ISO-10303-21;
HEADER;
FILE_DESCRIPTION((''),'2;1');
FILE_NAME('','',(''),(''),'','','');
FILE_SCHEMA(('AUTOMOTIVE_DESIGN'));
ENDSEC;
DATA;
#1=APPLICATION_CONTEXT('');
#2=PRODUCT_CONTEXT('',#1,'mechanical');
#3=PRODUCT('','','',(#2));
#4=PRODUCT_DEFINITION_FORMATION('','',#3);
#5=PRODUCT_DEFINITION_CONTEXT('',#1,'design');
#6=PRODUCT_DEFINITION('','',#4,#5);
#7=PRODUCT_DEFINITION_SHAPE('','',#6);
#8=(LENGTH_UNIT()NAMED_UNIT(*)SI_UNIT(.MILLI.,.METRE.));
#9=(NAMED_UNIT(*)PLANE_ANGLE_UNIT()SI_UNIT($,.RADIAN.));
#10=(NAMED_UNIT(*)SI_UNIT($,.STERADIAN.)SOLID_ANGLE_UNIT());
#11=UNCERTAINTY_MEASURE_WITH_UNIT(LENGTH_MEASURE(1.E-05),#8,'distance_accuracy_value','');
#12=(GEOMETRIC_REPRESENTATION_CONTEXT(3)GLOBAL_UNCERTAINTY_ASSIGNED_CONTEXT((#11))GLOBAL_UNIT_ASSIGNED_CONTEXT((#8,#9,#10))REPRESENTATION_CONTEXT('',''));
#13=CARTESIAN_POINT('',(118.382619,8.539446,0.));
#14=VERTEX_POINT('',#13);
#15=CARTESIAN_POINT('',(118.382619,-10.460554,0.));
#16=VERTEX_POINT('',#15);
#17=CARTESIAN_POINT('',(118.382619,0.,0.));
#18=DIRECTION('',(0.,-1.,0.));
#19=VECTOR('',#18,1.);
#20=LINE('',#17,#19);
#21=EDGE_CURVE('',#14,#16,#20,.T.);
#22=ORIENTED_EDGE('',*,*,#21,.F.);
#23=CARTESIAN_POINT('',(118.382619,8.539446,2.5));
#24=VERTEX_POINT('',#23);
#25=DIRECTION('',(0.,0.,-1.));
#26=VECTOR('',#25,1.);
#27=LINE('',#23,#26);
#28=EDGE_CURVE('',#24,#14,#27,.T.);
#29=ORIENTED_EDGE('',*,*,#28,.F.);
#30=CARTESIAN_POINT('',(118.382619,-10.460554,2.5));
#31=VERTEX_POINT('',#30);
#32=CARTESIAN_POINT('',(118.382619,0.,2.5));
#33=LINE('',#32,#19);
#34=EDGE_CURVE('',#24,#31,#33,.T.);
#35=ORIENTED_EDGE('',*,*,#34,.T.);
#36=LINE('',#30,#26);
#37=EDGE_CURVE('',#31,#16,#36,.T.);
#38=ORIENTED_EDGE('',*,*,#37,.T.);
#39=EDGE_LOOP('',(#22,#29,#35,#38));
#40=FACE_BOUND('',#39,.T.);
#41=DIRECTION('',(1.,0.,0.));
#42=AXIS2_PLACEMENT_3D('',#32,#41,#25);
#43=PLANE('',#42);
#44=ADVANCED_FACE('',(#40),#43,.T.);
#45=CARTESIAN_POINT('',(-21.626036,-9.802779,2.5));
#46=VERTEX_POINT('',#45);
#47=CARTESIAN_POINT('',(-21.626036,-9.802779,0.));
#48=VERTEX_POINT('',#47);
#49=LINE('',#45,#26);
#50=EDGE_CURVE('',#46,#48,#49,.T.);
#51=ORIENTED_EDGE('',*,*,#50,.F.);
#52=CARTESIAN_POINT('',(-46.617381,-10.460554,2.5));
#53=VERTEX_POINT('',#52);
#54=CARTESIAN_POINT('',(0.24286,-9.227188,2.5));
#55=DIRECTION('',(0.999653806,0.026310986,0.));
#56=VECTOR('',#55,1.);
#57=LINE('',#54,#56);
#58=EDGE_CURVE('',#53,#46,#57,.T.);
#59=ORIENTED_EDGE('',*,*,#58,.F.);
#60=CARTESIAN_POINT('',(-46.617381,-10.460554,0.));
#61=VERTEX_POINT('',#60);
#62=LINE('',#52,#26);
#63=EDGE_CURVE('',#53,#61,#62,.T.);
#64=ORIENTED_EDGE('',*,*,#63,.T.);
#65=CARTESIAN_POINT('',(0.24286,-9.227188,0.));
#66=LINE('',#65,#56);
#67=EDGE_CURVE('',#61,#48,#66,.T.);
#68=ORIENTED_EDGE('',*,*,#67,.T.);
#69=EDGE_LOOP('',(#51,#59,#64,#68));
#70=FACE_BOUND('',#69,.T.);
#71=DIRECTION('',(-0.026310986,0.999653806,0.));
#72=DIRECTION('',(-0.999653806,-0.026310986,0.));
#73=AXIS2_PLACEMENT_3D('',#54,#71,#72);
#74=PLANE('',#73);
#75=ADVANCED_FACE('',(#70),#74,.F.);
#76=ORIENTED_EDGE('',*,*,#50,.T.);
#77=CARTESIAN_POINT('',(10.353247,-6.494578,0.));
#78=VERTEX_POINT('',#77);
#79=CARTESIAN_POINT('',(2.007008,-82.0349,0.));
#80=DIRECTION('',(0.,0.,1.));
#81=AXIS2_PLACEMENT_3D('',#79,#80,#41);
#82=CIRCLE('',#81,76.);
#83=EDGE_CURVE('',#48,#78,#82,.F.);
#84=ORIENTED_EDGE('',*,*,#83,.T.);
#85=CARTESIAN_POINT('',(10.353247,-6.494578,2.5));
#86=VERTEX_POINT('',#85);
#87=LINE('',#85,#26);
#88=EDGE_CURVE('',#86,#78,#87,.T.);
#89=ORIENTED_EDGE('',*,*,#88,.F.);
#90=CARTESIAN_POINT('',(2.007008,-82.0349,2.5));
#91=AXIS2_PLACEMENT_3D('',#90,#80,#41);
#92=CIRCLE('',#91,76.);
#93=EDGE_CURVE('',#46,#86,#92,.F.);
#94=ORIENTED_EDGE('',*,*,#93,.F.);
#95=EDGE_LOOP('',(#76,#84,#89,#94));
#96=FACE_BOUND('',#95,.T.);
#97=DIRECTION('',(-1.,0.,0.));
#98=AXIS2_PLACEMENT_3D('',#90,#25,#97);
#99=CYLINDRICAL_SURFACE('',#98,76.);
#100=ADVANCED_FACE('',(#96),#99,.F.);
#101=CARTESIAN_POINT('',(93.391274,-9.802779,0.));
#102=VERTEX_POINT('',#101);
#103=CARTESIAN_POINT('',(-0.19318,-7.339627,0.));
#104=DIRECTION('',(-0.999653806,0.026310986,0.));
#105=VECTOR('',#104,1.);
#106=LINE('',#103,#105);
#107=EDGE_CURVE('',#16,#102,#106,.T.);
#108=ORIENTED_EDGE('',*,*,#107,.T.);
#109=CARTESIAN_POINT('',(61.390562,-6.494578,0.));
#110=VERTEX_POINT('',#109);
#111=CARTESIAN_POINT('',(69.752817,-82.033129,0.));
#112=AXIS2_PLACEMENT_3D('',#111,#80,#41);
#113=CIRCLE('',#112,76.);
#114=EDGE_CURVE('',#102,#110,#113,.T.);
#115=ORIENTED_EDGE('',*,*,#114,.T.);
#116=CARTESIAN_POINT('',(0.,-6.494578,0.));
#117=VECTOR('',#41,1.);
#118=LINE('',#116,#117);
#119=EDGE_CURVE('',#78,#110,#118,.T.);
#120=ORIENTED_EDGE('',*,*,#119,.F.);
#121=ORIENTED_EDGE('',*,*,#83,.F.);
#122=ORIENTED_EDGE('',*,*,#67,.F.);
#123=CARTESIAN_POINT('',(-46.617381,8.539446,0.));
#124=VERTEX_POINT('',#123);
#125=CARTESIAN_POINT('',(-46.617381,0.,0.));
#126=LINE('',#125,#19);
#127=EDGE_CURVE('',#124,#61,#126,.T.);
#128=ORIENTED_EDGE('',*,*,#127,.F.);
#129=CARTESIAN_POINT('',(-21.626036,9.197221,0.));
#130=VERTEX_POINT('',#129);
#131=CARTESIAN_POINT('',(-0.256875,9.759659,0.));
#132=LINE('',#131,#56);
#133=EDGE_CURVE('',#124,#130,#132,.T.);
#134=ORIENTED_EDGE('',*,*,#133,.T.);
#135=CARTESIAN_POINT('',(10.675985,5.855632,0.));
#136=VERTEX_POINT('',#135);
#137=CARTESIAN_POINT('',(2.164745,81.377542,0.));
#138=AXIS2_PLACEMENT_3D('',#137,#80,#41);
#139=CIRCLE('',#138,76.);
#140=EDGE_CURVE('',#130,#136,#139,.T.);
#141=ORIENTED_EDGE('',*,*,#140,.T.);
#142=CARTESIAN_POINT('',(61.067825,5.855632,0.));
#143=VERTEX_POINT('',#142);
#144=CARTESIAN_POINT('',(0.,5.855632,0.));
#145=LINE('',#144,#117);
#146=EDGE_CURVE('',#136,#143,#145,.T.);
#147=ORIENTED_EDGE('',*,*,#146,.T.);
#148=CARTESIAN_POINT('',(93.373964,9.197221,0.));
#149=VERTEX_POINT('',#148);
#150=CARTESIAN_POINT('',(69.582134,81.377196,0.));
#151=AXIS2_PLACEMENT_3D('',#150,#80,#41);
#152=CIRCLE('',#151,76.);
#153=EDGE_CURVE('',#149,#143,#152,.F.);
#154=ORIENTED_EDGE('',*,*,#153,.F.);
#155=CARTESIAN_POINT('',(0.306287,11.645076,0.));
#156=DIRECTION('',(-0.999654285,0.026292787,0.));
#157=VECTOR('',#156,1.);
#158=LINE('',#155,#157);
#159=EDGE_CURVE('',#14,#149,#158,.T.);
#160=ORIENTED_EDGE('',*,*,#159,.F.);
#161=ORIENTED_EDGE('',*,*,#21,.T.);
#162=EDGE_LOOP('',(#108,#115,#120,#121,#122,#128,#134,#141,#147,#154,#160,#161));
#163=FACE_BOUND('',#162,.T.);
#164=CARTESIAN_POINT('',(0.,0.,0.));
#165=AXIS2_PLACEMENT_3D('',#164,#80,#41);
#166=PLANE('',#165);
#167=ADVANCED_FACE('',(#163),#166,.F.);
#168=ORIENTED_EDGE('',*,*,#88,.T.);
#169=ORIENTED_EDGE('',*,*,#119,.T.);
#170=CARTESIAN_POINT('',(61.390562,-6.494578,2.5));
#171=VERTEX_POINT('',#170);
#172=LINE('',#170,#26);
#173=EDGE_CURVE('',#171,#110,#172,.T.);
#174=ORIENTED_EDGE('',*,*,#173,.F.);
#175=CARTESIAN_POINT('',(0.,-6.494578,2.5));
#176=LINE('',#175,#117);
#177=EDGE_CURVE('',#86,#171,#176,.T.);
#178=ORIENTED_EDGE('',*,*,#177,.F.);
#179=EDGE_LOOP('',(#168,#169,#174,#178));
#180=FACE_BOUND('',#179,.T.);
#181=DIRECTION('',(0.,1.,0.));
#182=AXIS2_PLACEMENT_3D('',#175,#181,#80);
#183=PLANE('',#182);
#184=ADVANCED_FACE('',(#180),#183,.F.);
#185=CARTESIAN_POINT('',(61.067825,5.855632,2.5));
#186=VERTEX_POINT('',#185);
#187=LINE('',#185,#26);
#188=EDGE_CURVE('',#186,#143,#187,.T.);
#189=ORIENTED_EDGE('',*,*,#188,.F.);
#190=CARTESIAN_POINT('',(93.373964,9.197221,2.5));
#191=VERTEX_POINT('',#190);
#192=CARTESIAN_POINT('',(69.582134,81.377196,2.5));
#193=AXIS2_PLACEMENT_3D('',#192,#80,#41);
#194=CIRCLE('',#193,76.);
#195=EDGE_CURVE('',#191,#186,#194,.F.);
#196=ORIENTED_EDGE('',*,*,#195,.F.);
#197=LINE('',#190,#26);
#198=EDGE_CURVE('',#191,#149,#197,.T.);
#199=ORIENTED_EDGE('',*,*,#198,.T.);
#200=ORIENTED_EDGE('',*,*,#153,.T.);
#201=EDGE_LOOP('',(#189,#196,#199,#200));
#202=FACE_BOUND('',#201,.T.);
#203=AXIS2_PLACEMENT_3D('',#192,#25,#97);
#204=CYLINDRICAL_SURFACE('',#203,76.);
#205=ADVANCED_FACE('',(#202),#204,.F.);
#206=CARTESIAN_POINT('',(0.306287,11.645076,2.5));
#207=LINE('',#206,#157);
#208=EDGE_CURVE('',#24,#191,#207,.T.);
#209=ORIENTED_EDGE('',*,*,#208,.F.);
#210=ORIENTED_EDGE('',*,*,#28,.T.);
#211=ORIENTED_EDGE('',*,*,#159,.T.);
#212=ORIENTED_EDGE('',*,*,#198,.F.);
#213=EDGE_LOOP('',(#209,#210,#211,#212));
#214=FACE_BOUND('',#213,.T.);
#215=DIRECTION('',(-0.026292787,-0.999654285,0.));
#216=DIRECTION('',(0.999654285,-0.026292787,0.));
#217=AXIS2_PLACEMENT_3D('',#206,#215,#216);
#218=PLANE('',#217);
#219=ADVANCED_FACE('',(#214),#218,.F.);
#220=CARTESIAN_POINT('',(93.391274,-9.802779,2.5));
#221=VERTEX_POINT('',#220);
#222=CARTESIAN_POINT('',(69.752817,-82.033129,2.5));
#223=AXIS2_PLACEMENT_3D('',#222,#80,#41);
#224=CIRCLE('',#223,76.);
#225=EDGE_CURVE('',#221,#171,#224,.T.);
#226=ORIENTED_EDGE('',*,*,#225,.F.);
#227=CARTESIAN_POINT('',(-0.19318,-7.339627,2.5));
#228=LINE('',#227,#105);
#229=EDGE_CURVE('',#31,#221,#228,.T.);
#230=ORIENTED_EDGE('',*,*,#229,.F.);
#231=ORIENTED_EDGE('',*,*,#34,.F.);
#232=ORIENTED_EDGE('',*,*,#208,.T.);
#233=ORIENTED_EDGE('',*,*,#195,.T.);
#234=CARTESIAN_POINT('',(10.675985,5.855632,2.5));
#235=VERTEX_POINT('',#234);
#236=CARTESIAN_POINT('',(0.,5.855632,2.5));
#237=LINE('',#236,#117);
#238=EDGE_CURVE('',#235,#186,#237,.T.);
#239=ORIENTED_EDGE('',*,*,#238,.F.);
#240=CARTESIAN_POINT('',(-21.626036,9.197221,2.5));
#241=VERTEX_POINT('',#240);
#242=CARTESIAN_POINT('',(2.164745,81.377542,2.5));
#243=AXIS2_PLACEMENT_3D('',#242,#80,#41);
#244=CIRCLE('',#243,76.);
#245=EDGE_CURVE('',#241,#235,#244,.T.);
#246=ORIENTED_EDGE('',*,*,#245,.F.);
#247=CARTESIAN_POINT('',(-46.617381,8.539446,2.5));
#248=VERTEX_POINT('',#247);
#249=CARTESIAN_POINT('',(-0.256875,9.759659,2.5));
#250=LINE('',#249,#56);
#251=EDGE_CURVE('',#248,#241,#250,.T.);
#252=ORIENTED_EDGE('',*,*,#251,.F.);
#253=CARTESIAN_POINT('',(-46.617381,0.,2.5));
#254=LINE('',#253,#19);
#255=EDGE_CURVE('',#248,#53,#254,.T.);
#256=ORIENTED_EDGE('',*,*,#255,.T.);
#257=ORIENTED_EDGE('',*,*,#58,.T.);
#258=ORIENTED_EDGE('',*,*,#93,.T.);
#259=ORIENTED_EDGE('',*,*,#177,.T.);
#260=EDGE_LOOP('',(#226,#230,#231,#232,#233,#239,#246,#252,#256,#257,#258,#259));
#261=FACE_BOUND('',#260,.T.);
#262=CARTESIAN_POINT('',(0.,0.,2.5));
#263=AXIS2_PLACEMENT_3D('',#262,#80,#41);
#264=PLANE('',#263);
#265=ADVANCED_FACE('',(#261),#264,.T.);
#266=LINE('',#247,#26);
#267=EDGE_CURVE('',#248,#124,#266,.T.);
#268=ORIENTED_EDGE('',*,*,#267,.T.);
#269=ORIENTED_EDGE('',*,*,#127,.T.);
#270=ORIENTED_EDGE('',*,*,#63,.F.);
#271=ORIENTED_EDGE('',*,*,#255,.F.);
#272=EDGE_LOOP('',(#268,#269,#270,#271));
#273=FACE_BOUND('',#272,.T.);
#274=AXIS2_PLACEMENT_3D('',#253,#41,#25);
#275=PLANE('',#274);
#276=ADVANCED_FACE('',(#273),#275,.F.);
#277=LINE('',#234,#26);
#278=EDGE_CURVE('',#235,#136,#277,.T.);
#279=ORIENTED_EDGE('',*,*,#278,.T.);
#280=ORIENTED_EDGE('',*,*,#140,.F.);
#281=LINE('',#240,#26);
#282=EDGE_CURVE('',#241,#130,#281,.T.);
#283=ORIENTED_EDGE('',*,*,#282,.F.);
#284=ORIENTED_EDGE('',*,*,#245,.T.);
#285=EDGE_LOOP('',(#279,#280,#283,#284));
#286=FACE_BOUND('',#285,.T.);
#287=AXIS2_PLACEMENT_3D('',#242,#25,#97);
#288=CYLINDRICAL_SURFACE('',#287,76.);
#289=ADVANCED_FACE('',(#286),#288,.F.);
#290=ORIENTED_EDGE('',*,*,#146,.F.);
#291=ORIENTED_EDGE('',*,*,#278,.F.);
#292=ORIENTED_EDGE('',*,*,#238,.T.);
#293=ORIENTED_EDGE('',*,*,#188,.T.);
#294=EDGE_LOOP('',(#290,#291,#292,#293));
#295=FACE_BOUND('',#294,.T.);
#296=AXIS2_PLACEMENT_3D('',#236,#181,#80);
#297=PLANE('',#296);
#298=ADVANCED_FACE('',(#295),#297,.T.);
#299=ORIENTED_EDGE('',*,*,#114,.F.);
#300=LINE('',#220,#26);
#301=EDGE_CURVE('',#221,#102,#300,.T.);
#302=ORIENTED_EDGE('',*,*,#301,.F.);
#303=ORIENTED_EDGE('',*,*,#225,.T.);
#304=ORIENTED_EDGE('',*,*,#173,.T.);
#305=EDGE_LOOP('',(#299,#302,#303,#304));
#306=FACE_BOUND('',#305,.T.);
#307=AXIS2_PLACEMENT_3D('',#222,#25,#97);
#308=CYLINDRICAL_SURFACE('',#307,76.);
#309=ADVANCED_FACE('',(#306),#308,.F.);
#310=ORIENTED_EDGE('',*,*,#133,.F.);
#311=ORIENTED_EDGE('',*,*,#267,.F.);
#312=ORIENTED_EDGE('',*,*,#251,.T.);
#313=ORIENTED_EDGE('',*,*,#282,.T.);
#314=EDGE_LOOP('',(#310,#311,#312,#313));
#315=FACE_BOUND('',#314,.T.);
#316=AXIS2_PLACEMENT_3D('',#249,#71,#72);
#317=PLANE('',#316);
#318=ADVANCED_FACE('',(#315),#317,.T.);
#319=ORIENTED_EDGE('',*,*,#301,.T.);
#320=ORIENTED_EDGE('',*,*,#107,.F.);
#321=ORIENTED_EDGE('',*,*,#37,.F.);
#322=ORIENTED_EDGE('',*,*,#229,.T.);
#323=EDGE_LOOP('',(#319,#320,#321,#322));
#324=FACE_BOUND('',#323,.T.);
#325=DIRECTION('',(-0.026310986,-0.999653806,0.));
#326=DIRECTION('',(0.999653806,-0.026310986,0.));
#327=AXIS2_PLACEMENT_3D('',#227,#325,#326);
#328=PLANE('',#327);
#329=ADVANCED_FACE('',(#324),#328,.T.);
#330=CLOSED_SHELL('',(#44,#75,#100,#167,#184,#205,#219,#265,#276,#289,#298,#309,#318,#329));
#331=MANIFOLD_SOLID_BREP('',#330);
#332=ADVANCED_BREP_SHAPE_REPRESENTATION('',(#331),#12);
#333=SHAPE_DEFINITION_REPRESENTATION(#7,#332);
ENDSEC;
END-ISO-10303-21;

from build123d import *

# Parameters (mm, degrees)
BOSS_EXTRUDE2_DEPTH = 2.5


with BuildPart() as part:
    # Sketch2 → Boss-Extrude2 (new body)
    with BuildSketch(Plane.XY):
        with BuildLine():
            Line((-46.617380763, -10.460553871), (-21.626035611, -9.802779228))
            ThreePointArc((-21.626035611, -9.802779228), (-5.813327465, -6.438323514), (10.353247207, -6.494577557))
            Line((10.353247207, -6.494577557), (61.390562189, -6.494577557))
            ThreePointArc((61.390562189, -6.494577557), (77.567971425, -6.436016399), (93.391274085, -9.802779228))
            Line((93.391274085, -9.802779228), (118.382619237, -10.460553871))
            Line((118.382619237, -10.460553871), (118.382619237, 8.539446129))
            Line((118.382619237, 8.539446129), (93.373964389, 9.197220772))
            ThreePointArc((93.373964389, 9.197220772), (77.401482855, 5.780517491), (61.067824801, 5.855632475))
            Line((61.067824801, 5.855632475), (10.675984594, 5.855632475))
            ThreePointArc((10.675984594, 5.855632475), (-5.655590446, 5.780965556), (-21.626035611, 9.197220772))
            Line((-21.626035611, 9.197220772), (-46.617380763, 8.539446129))
            Line((-46.617380763, 8.539446129), (-46.617380763, -10.460553871))
        make_face()
    extrude(amount=BOSS_EXTRUDE2_DEPTH)


solid = part.part
